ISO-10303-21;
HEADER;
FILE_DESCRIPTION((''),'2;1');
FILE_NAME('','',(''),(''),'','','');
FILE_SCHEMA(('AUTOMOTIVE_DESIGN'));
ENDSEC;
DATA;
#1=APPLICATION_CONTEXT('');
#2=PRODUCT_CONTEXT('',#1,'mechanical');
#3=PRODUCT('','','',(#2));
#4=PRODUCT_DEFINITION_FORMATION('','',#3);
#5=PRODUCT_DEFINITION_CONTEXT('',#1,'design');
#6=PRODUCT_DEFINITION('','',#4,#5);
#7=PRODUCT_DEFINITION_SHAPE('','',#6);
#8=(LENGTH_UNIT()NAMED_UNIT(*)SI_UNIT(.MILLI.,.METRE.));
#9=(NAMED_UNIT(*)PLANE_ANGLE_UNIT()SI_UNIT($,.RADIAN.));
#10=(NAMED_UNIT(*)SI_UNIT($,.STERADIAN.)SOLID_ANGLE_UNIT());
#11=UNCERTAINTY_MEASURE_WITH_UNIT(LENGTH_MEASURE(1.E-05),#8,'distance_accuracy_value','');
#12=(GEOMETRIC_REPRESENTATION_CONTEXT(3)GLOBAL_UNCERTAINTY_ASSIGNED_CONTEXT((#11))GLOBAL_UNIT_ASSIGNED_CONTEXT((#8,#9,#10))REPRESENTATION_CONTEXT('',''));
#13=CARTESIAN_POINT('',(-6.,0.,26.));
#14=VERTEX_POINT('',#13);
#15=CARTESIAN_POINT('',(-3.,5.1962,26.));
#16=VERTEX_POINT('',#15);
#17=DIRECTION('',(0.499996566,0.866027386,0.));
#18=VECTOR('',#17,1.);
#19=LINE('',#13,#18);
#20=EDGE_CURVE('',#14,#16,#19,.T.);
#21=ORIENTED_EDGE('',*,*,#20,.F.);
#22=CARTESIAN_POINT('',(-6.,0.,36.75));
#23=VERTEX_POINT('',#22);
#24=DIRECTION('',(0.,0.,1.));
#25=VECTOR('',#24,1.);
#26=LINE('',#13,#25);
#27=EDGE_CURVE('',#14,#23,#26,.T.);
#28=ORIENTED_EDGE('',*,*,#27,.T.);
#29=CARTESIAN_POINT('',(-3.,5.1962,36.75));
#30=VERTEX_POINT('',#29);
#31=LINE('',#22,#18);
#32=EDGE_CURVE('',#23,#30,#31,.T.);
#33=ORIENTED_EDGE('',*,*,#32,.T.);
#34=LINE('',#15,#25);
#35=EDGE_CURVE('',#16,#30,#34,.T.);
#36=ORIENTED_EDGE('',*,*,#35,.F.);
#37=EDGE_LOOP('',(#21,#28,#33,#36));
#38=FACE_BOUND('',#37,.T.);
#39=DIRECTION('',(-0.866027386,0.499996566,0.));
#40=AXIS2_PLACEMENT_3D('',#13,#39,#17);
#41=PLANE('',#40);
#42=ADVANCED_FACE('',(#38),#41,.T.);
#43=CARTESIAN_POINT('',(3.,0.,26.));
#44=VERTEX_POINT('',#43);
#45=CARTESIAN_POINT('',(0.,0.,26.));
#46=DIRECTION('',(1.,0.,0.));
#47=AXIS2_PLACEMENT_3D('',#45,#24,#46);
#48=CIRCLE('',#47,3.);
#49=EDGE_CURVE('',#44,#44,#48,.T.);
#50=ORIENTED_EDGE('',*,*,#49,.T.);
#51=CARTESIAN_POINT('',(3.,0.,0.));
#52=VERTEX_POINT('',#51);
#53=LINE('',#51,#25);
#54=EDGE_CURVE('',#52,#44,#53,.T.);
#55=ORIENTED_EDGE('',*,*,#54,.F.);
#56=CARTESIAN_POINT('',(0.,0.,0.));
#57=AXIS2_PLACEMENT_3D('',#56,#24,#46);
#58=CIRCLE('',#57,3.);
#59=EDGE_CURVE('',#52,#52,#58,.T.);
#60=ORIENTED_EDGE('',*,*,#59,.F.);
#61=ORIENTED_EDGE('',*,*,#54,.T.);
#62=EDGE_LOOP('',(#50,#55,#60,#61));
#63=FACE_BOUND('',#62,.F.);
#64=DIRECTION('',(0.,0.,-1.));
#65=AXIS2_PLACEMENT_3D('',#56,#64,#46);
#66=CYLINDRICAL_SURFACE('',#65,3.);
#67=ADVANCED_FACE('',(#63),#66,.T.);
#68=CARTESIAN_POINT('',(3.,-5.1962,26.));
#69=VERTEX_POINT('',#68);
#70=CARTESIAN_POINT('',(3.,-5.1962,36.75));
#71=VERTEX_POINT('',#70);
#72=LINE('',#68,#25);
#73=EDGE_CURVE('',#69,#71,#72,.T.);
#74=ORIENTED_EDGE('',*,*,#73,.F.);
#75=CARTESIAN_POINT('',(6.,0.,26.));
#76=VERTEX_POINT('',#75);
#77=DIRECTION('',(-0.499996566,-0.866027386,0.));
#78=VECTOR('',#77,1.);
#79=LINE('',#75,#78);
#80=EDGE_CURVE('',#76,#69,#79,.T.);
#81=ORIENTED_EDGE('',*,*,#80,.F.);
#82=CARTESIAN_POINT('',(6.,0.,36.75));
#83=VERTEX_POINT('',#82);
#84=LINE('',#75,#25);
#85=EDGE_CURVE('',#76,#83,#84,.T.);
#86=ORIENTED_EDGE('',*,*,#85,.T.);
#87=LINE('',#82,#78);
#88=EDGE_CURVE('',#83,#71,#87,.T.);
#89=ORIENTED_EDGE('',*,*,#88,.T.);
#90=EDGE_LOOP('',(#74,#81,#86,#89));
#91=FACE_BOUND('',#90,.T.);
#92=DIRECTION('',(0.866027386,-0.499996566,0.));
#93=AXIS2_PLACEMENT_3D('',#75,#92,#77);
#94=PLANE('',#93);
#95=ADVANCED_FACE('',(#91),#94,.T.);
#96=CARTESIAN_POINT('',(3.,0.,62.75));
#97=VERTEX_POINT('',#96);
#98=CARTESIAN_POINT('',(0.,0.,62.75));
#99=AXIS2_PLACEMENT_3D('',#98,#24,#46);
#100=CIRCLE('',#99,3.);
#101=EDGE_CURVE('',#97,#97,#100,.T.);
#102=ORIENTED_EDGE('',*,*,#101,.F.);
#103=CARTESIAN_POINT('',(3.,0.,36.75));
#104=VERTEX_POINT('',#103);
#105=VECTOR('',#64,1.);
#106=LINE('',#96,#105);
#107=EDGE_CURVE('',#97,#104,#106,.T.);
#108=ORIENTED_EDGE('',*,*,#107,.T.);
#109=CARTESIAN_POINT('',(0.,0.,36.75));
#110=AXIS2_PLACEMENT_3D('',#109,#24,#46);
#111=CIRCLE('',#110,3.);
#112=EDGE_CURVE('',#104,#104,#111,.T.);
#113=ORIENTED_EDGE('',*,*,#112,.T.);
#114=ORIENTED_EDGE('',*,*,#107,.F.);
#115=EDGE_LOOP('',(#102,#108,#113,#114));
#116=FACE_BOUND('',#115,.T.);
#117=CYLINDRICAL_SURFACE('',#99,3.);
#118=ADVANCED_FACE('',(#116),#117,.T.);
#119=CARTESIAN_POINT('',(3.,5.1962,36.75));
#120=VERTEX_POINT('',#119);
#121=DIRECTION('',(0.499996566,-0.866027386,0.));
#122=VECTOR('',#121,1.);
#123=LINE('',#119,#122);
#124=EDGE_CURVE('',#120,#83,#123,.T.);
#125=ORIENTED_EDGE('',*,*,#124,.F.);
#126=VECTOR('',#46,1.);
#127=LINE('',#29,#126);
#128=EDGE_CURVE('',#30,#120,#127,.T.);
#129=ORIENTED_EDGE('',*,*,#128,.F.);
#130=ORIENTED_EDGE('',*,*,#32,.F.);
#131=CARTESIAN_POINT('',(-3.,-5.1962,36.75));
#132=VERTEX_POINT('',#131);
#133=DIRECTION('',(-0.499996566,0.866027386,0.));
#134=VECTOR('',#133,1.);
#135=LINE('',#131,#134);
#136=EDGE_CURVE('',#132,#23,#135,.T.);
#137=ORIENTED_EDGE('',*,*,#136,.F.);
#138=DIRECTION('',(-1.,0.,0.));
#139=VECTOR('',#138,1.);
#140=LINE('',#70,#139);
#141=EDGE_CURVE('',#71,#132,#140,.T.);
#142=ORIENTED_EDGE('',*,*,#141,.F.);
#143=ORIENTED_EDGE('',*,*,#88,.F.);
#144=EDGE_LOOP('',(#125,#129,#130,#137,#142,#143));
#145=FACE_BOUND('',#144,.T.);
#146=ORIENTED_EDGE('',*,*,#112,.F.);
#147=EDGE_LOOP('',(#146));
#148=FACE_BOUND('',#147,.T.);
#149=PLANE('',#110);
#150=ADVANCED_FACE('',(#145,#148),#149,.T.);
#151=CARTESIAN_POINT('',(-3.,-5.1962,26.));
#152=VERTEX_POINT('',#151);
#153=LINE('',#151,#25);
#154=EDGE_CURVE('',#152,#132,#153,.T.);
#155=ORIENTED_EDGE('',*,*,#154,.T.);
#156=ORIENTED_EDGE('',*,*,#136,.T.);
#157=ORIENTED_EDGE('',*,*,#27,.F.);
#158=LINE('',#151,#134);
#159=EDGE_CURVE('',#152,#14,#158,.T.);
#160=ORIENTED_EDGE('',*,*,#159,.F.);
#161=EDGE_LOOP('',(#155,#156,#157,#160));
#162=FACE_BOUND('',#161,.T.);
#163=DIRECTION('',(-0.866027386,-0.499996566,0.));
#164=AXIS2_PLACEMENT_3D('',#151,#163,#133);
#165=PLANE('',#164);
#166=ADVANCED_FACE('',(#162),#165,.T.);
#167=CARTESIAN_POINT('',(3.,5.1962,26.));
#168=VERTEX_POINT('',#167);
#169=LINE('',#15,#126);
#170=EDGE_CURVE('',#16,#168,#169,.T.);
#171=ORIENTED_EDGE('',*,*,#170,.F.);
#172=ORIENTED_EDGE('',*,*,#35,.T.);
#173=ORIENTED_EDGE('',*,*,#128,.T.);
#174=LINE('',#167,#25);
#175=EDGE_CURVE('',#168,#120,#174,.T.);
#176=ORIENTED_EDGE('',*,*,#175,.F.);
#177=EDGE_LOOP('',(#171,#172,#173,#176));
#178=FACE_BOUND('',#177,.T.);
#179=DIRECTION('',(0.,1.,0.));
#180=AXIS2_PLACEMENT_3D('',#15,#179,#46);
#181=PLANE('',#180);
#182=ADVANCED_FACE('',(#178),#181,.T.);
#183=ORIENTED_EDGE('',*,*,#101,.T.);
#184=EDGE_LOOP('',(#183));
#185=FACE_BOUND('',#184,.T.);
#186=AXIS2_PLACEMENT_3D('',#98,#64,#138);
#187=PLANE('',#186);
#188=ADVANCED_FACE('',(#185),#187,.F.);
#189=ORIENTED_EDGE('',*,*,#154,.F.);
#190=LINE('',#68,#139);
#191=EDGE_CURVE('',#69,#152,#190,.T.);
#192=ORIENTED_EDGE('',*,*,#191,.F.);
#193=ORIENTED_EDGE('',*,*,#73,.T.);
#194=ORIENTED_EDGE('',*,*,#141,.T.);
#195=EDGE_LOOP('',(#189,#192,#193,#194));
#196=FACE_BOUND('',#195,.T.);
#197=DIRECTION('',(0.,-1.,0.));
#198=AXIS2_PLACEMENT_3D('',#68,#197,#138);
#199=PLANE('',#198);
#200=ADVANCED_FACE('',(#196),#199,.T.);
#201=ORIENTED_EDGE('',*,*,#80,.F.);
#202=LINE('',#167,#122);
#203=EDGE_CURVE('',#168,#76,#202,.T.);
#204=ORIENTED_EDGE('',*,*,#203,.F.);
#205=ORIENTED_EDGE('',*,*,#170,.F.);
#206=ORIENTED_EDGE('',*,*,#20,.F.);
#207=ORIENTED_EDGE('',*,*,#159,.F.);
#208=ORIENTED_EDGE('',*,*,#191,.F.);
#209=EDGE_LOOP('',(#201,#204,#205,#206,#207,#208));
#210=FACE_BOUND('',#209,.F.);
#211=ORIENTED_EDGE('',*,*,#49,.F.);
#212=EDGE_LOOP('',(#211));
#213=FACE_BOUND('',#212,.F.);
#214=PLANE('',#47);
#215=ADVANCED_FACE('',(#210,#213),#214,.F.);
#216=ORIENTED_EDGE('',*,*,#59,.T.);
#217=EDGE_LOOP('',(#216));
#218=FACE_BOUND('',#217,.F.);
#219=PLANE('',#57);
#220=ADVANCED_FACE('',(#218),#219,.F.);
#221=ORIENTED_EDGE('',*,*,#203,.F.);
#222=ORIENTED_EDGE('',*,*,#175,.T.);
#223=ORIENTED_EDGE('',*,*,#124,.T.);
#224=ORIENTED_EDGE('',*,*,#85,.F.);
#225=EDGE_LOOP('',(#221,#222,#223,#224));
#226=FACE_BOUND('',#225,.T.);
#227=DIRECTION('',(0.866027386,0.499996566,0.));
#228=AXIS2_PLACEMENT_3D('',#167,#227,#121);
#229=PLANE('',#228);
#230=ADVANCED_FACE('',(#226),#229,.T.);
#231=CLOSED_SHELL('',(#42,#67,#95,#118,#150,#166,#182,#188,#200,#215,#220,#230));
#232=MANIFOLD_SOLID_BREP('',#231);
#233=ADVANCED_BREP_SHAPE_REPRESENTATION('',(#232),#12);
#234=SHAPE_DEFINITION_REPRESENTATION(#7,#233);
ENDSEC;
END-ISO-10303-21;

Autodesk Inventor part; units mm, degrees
ref_plane "YZ Plane" through (0, 0, 0) normal (1, 0, 0) x (0, 1, 0)
ref_plane "XZ Plane" through (0, 0, 0) normal (0, 1, 0) x (-1, 0, 0)
sketch "Boceto1" plane through (0, 0, 0) normal (0, 0, 1) x (1, 0, 0)
  circle A0 centre (0, 0) radius 3
  dimension "d0" = 6
extrude "Extrusión1" add sketch "Boceto1" along normal blind 26
sketch "Boceto2" plane through (0, 0, 26) normal (0, 0, 1) x (1, 0, 0)
  line L0 (6, 0) -> (3, -5.1962)
  line L1 (3, -5.1962) -> (-3, -5.1962)
  line L2 (-3, -5.1962) -> (-6, 0)
  line L3 (-6, 0) -> (-3, 5.1962)
  line L4 (-3, 5.1962) -> (3, 5.1962)
  line L5 (3, 5.1962) -> (6, 0)
  point P0 (0, 0)
  point P1 (0, 0)
  point P2 (0, 5.1962)
  dimension "d3" = 6
extrude "Extrusión2" add sketch "Boceto2" along normal blind 10.75
ref_plane "Plano de trabajo1" through (0, 0, 31.375) normal (0, 0, 1) x (1, 0, 0)
mirror "Simetría1" about plane through (0, 0, 31.375) normal (0, 0, 1) of "Extrusión1"
properties part number "wheel_shock_pin"
